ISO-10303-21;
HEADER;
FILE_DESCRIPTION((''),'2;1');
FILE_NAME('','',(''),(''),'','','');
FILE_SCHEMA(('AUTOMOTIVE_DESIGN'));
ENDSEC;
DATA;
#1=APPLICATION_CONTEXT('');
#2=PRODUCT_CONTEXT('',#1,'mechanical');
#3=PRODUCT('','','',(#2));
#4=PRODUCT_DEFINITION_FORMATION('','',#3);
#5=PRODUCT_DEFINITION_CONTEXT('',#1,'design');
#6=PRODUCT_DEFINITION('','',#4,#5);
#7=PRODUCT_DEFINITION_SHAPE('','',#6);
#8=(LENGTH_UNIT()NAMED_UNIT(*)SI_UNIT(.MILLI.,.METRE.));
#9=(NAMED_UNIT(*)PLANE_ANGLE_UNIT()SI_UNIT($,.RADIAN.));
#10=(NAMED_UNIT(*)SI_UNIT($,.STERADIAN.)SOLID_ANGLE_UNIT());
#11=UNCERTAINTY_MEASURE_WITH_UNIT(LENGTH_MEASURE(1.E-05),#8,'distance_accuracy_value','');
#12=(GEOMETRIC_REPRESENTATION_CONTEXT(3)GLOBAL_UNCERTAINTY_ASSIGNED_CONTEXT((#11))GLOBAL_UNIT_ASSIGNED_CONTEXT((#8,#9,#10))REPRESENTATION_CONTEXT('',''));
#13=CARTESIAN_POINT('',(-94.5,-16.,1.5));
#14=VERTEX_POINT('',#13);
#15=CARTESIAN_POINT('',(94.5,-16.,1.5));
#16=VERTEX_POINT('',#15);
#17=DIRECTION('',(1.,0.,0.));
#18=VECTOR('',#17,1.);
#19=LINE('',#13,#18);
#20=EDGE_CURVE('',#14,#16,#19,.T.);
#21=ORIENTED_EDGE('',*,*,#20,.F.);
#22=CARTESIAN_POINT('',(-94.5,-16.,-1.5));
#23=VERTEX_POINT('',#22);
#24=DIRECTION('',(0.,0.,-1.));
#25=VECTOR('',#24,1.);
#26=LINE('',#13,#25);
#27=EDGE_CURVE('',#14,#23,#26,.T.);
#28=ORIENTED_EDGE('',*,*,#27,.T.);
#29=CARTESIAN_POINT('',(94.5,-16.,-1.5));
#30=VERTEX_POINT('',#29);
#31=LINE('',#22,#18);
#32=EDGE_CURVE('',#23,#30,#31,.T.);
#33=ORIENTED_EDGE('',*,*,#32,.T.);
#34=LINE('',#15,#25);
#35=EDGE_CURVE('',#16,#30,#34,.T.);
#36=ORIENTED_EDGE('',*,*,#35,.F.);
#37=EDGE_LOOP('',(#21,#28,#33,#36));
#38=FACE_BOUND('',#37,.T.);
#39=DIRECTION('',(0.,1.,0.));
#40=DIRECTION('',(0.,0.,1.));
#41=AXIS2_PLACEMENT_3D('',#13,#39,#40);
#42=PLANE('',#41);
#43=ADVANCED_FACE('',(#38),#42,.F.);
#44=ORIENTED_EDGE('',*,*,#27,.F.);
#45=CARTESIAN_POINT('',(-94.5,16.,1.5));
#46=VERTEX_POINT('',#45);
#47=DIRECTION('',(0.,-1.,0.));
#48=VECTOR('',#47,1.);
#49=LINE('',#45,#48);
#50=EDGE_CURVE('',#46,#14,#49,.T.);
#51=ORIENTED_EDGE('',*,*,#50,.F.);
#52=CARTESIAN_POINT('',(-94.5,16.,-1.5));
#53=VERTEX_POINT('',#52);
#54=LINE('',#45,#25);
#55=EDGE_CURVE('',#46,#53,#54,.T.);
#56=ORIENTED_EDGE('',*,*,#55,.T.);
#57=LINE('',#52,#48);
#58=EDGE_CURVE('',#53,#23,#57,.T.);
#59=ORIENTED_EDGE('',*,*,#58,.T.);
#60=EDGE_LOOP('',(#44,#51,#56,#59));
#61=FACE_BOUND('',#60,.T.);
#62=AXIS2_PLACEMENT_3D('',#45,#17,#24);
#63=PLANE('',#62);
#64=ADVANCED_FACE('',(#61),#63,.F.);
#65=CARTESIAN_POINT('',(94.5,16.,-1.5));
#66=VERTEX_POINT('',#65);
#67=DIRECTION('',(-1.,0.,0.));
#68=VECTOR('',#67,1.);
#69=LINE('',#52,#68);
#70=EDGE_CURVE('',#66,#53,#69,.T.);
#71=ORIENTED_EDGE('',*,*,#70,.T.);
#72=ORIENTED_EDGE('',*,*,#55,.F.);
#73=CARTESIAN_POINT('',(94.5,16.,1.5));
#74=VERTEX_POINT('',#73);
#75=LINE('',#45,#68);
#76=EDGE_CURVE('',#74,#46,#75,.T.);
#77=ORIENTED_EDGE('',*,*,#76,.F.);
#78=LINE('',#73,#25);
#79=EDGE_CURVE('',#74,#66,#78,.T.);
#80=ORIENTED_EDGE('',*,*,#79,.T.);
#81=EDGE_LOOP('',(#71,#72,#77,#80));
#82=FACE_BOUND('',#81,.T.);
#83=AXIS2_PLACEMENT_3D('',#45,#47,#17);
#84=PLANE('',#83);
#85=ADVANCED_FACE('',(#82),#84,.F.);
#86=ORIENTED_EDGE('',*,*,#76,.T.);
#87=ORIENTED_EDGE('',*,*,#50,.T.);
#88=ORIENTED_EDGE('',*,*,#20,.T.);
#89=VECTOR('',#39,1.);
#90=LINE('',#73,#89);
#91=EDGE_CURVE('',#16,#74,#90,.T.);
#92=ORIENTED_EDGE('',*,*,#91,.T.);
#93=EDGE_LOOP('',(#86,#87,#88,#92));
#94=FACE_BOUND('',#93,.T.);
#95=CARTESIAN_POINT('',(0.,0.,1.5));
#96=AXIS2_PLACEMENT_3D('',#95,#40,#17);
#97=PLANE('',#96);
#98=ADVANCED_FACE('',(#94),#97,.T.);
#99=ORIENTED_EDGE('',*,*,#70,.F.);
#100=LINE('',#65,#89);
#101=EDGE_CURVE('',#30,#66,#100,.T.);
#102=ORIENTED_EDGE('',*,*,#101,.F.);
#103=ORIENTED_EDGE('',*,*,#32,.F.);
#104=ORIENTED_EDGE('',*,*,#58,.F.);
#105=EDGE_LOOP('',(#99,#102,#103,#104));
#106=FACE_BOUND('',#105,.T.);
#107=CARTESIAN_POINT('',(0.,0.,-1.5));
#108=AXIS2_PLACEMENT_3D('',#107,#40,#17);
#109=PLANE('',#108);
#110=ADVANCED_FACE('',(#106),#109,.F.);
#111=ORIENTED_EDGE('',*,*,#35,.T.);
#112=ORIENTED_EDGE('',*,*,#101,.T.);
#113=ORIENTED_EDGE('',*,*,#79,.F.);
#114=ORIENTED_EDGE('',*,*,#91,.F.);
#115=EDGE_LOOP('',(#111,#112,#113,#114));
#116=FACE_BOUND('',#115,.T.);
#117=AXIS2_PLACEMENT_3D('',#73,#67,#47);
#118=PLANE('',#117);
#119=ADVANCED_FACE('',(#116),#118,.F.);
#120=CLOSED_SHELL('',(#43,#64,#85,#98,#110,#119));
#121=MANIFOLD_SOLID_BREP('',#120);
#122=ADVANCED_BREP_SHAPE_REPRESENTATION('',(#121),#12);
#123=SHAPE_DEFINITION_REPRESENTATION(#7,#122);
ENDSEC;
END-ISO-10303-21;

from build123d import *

# Parameters (mm, degrees)
SKETCH_1_W      = 189
SKETCH_1_H      = 32
EXTRUDE_1_DEPTH = 1.5


with BuildPart() as part:
    # 草图1 → 凸台-拉伸1 (new, symmetric)
    with BuildSketch(Plane.XY):
        Rectangle(SKETCH_1_W, SKETCH_1_H)
    extrude(amount=EXTRUDE_1_DEPTH, both=True)


solid = part.part
